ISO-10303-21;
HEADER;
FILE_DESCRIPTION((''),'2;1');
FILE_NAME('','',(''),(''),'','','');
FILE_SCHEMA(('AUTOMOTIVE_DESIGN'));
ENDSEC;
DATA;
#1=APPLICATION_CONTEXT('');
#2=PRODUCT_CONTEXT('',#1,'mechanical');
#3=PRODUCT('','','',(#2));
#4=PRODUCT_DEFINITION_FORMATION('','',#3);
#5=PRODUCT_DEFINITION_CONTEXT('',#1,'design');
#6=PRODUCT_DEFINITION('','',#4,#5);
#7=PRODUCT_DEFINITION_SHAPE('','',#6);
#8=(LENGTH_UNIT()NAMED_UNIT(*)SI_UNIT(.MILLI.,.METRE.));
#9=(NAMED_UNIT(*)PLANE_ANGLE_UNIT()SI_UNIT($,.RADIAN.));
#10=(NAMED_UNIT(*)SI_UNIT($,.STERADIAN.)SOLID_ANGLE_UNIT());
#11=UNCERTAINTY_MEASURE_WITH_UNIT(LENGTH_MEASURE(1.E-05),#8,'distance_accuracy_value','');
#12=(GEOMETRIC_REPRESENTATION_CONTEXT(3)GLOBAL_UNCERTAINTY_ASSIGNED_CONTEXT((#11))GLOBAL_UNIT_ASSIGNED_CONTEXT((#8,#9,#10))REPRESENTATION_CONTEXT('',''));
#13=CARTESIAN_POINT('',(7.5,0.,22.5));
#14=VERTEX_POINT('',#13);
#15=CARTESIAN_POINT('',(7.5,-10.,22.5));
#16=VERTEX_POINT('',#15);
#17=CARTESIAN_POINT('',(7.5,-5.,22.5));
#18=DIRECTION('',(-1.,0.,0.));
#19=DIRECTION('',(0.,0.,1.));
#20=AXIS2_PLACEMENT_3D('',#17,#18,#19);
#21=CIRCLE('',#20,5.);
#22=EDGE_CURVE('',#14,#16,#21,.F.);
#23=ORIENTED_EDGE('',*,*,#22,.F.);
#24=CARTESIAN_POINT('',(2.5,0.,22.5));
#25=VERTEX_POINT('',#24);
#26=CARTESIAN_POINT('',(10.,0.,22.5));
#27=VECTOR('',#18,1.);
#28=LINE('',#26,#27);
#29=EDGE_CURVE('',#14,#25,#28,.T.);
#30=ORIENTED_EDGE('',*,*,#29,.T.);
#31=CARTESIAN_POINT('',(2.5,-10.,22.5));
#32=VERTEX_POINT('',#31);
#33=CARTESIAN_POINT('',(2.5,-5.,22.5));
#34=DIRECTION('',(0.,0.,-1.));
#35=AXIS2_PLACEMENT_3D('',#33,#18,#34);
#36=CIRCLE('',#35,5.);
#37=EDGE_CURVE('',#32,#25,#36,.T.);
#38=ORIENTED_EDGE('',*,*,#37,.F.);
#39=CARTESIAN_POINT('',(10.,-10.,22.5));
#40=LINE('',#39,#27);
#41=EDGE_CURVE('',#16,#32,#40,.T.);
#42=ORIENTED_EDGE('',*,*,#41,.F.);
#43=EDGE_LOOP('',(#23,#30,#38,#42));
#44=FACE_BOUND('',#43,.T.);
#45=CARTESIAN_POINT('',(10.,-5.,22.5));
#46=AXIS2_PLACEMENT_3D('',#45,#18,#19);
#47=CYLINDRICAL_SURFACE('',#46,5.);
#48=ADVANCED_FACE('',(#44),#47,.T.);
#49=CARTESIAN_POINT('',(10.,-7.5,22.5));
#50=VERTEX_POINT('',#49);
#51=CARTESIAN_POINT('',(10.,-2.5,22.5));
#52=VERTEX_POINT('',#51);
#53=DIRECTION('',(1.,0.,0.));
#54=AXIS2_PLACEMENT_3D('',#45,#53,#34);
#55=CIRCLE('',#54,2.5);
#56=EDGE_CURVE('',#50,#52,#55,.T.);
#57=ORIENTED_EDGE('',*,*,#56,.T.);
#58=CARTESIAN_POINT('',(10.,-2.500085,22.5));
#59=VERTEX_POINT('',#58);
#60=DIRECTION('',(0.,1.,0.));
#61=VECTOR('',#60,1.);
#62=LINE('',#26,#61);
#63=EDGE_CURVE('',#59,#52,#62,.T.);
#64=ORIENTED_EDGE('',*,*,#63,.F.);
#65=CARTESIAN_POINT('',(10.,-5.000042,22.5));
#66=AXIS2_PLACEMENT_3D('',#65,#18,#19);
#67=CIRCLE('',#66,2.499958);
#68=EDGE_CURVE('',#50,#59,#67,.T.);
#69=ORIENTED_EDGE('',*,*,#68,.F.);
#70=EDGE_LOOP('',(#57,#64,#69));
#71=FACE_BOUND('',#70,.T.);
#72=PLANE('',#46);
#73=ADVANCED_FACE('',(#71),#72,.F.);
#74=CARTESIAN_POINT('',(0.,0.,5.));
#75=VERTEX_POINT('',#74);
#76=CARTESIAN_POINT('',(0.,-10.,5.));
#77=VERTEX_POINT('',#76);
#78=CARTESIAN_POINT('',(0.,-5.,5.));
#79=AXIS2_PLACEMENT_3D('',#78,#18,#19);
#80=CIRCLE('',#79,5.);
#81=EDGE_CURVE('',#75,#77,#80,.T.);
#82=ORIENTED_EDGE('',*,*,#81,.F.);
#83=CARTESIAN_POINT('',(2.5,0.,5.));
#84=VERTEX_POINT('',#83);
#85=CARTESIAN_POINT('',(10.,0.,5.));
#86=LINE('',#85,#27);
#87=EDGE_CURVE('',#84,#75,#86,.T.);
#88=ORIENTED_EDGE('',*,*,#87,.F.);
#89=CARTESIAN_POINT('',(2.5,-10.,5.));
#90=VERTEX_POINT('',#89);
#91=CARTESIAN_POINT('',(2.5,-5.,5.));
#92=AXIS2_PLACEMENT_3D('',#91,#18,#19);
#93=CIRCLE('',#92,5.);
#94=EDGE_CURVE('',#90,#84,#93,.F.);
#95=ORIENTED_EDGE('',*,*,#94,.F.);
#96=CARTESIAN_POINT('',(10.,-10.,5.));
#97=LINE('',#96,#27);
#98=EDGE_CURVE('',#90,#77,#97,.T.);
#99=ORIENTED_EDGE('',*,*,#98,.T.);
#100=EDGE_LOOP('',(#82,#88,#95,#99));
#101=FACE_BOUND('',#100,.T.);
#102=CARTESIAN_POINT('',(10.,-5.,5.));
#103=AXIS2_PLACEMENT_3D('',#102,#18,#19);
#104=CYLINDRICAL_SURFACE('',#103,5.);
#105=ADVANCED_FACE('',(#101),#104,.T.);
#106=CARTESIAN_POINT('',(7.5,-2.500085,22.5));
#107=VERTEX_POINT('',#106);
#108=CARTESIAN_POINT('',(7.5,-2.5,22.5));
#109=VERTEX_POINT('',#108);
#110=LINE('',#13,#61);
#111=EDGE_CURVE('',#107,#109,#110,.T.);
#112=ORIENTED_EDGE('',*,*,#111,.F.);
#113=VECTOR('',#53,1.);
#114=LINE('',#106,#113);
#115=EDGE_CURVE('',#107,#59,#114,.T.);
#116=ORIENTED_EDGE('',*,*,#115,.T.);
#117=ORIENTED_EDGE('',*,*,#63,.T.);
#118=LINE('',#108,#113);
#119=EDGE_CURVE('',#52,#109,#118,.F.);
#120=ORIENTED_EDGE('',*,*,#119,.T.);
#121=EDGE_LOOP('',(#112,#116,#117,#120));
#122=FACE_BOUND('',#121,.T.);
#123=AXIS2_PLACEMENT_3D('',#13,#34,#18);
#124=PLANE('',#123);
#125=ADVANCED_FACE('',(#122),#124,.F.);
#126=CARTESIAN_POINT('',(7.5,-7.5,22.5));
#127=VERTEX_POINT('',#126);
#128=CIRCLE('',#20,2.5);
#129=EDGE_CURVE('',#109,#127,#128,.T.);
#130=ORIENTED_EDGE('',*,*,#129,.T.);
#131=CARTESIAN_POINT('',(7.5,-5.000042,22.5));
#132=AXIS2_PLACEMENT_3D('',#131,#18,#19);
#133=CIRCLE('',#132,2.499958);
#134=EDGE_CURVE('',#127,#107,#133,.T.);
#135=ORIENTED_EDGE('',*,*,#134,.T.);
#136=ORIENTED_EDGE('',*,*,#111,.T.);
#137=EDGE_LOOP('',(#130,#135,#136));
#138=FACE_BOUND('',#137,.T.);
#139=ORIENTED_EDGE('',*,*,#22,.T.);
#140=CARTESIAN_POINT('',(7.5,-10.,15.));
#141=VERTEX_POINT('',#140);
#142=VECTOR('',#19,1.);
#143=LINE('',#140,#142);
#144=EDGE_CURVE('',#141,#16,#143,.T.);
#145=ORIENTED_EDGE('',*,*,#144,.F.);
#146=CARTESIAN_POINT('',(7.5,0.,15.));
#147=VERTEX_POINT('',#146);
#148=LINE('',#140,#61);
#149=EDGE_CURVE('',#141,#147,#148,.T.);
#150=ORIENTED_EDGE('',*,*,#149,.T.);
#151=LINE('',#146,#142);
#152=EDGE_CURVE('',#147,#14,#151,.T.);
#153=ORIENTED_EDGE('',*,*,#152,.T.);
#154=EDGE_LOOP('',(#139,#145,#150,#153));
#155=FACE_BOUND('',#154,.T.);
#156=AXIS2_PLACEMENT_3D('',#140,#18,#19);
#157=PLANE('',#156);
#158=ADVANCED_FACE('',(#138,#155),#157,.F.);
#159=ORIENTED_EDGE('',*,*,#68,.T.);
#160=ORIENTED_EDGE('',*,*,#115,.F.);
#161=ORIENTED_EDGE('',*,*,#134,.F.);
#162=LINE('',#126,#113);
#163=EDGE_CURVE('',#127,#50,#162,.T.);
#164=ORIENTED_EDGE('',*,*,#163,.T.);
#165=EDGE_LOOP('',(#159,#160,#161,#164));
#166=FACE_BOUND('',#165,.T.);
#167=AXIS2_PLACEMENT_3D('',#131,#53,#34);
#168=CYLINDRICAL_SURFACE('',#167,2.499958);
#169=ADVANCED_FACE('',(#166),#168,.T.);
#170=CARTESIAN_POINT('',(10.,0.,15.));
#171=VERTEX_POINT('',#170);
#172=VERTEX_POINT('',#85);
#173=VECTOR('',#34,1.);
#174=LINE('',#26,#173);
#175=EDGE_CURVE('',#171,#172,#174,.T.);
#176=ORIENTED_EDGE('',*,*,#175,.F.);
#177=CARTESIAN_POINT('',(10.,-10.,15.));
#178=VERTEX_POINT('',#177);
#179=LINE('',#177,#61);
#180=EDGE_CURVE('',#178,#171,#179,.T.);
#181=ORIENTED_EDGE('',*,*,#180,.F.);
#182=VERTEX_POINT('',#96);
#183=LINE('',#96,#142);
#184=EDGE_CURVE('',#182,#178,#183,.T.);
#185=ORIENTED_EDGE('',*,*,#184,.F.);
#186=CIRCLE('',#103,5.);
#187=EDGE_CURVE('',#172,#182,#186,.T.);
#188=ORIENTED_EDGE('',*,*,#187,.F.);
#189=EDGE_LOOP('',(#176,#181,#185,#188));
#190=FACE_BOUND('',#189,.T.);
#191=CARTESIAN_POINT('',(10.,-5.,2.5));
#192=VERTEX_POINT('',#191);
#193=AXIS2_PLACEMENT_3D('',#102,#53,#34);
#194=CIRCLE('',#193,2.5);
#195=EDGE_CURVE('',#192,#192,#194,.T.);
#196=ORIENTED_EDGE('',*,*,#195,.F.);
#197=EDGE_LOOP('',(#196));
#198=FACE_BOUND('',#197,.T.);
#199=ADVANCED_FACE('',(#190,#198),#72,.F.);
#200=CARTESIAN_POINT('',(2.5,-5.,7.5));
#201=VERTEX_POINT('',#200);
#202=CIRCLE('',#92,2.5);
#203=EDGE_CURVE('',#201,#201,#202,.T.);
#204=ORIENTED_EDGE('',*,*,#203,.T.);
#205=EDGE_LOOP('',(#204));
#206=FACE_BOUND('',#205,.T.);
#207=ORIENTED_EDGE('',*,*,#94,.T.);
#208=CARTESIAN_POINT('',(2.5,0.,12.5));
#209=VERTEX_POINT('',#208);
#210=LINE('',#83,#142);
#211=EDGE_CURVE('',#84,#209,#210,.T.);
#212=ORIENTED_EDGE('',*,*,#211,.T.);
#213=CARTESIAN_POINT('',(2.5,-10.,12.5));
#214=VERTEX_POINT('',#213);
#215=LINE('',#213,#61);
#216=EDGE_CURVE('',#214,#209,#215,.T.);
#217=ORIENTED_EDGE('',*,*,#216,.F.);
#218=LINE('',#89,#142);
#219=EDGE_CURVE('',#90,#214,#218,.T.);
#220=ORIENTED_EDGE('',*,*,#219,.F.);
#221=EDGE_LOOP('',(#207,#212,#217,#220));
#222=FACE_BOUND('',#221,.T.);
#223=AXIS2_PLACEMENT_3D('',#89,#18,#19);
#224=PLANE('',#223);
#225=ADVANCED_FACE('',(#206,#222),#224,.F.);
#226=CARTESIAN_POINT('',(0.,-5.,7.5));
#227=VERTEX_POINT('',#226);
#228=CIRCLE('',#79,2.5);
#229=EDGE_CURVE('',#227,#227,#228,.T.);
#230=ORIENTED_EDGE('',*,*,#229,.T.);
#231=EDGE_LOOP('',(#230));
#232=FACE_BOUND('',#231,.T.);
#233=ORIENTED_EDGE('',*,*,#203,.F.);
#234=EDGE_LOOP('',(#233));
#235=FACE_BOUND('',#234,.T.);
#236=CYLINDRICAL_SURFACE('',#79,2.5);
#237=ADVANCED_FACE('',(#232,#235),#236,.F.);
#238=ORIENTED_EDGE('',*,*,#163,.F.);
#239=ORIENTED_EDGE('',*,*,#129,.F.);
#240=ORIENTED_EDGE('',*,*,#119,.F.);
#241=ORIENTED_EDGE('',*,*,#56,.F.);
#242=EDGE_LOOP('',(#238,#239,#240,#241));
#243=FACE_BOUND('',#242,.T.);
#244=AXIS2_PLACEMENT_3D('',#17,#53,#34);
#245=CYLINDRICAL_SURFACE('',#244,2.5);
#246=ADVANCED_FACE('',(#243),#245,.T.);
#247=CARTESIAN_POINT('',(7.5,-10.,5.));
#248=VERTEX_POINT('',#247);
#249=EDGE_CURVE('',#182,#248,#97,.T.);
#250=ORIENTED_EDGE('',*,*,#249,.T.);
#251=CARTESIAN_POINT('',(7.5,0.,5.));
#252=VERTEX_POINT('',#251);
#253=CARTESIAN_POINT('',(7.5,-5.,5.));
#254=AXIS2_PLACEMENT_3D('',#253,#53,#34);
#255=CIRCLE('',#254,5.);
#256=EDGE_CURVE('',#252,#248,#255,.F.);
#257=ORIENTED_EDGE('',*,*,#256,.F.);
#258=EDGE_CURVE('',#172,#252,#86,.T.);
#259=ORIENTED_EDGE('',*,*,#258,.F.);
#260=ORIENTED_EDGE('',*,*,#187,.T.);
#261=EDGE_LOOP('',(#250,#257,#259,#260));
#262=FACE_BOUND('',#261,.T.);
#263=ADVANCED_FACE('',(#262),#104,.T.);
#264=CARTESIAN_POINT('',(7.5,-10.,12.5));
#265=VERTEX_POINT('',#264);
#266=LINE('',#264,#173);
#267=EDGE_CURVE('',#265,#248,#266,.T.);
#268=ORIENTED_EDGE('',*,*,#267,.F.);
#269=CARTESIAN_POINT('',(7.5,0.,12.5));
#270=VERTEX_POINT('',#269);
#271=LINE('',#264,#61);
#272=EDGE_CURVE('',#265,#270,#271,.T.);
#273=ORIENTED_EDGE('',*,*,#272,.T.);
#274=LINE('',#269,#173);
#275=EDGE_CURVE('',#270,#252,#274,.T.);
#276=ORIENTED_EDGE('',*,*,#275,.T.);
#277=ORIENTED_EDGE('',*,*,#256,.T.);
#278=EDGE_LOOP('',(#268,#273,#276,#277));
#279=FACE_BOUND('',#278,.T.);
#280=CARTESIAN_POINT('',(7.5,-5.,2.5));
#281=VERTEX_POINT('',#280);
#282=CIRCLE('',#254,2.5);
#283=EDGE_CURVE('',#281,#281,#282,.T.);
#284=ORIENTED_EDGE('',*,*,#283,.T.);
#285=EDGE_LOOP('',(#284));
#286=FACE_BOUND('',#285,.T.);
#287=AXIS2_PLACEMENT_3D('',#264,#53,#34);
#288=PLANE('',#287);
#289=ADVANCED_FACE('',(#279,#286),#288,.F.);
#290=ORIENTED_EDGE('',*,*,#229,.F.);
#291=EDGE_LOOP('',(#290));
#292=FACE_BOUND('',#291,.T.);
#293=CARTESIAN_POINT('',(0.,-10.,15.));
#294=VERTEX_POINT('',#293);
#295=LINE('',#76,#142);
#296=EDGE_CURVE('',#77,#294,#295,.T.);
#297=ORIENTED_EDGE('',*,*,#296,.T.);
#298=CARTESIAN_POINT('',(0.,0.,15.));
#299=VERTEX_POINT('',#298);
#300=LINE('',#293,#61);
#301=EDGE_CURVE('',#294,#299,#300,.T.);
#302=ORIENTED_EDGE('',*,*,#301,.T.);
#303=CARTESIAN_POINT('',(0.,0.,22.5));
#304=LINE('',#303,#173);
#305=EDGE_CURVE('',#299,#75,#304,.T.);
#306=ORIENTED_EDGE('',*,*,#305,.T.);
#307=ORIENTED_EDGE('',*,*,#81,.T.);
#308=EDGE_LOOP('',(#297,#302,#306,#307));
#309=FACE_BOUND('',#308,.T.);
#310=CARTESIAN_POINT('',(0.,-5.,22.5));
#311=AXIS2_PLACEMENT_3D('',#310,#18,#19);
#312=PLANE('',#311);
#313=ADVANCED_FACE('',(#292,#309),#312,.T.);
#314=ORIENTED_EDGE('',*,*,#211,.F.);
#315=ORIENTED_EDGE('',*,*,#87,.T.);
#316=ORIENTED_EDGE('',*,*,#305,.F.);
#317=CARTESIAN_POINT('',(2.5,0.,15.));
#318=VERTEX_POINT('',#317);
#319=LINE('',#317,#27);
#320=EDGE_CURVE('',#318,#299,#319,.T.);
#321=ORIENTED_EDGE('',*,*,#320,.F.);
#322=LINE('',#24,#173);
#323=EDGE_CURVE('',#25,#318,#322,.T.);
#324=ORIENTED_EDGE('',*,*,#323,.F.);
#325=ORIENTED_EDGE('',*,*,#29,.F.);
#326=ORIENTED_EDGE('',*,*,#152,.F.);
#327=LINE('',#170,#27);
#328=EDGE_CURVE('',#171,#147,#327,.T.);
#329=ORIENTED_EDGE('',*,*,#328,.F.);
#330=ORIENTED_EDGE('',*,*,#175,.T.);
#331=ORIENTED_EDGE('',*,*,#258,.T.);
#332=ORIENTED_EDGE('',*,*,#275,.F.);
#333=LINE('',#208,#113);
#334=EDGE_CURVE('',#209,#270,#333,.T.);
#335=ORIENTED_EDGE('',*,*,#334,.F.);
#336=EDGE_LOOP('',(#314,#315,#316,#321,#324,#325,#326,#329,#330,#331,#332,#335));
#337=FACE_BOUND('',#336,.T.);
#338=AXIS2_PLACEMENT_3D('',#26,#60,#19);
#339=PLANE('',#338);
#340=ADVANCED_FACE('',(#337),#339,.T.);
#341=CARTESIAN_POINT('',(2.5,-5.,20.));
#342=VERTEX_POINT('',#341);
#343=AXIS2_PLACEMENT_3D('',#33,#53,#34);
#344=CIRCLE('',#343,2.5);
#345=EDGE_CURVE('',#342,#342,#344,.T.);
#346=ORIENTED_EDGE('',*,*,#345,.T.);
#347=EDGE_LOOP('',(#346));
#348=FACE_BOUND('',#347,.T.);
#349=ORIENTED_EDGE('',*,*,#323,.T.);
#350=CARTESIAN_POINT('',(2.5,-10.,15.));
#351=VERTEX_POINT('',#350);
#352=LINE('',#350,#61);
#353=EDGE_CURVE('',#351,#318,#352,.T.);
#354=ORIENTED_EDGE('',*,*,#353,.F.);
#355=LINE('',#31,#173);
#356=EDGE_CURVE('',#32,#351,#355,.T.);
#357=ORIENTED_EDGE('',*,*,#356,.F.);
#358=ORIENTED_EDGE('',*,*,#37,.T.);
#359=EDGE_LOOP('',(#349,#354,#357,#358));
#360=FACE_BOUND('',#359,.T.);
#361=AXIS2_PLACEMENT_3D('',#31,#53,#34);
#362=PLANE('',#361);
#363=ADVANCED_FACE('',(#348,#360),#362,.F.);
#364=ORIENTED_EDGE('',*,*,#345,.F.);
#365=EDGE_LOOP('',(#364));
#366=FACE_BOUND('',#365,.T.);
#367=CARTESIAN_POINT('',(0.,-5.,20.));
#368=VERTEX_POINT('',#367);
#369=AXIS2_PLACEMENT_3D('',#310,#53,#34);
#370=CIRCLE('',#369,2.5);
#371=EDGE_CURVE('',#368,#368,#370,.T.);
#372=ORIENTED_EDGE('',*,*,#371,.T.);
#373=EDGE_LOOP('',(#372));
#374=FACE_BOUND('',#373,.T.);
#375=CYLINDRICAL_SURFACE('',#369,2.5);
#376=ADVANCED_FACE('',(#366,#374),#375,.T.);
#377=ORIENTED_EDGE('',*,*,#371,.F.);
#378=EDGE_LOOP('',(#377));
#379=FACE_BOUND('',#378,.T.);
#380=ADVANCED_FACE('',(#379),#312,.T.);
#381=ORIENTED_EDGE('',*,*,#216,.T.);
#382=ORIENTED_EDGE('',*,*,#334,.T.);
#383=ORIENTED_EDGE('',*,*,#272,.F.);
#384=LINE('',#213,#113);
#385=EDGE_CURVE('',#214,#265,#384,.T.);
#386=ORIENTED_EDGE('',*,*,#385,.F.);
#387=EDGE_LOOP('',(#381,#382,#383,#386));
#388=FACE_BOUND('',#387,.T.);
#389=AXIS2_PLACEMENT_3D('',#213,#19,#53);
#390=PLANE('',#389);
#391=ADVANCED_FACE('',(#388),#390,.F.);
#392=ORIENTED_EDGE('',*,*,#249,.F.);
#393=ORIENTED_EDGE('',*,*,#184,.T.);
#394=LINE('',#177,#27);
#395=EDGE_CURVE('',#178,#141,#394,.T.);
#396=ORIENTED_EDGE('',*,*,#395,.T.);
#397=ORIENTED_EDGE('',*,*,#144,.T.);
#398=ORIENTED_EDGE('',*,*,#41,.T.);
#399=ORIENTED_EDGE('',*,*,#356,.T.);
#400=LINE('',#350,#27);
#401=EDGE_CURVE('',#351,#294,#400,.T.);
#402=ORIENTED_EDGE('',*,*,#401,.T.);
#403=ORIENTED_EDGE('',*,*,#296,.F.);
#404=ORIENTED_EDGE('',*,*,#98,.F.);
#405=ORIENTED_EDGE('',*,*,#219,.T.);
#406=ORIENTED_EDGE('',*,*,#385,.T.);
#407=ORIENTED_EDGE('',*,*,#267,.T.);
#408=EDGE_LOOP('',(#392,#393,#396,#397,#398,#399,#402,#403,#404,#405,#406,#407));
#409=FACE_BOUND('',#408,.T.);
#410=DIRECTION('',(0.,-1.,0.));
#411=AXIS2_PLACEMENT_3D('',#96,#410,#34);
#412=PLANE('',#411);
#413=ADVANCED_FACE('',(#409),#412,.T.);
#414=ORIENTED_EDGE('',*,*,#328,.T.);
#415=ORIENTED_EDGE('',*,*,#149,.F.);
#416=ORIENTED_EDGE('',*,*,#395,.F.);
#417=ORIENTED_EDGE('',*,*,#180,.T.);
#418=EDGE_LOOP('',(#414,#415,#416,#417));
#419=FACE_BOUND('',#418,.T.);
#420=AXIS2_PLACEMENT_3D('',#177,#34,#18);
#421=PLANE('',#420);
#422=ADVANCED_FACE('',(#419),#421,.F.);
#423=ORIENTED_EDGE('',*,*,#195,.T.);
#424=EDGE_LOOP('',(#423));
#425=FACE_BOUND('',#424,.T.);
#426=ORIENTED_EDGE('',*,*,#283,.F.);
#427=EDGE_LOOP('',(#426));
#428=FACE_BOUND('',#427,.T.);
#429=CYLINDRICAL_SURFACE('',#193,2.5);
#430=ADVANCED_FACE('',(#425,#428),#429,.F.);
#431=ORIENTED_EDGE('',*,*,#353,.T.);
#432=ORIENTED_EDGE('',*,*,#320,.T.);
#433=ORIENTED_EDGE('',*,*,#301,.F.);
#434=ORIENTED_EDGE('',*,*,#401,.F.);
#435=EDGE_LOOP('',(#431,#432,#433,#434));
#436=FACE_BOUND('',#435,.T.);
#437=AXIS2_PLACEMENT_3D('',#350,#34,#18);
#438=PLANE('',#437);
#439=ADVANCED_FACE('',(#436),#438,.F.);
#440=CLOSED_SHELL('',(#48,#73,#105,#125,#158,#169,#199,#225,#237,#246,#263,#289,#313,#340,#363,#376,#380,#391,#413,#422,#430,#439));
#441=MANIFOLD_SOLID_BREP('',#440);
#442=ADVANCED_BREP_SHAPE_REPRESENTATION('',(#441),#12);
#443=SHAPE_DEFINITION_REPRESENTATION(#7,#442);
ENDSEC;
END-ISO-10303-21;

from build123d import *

# Parameters (mm, degrees)
BOSS_EXTRUDE1_DEPTH          = 10
SKETCH2_W                    = 2.5
SKETCH2_H                    = 7.5
CUT_EXTRUDE1_DEPTH           = 31.923292192
SKETCH3_W                    = 5
SKETCH3_H                    = 7.5
CUT_EXTRUDE2_DEPTH           = 31.923292192
SKETCH4_W                    = 2.5
SKETCH4_H                    = 7.5
CUT_EXTRUDE3_DEPTH           = 31.923292192
SKETCH5_W                    = 2.5
SKETCH5_H                    = 2.5
SKETCH6_W                    = 2.5
SKETCH6_H                    = 2.5
F_5_0_5_DIAMETER_HOLE1_D     = 5
F_5_0_5_DIAMETER_HOLE1_DEPTH = 2.5
F_5_0_5_DIAMETER_HOLE2_D     = 5
F_5_0_5_DIAMETER_HOLE2_DEPTH = 2.5
SKETCH11_W                   = 5
SKETCH11_H                   = 5.816268322
CUT_EXTRUDE4_DEPTH           = 10
CUT_EXTRUDE5_DEPTH           = 2.5
CUT_EXTRUDE6_DEPTH           = 2.5


with BuildPart() as part:
    # Sketch1 → Boss-Extrude1 (new body)
    with BuildSketch(Plane(origin=(0, 0, 0), x_dir=(0, -1, 0), z_dir=(-1, 0, 0))):
        with BuildLine():
            Line((0, 22.5), (0, 5))
            ThreePointArc((0, 5), (5, 0), (10, 5))
            Line((10, 5), (10, 22.5))
            ThreePointArc((10, 22.5), (5, 27.5), (0, 22.5))
        make_face()
    extrude(amount=-BOSS_EXTRUDE1_DEPTH)

    # Sketch2 → Cut-Extrude1 (cut, through all)
    with BuildSketch(Plane(origin=(0, 0, 0), x_dir=(-1, 0, 0), z_dir=(0, 1, 0))):
        with Locations((-1.25, 18.75)):
            Rectangle(SKETCH2_W, SKETCH2_H)
    extrude(amount=-CUT_EXTRUDE1_DEPTH, mode=Mode.SUBTRACT)

    # Sketch3 → Cut-Extrude2 (cut, through all)
    with BuildSketch(Plane(origin=(0, 0, 0), x_dir=(-1, 0, 0), z_dir=(0, 1, 0))):
        with Locations((-5, 8.75)):
            Rectangle(SKETCH3_W, SKETCH3_H)
    extrude(amount=-CUT_EXTRUDE2_DEPTH, mode=Mode.SUBTRACT)

    # Sketch4 → Cut-Extrude3 (cut, through all)
    with BuildSketch(Plane(origin=(0, 0, 0), x_dir=(-1, 0, 0), z_dir=(0, 1, 0))):
        with Locations((-8.75, 18.75)):
            Rectangle(SKETCH4_W, SKETCH4_H)
    extrude(amount=-CUT_EXTRUDE3_DEPTH, mode=Mode.SUBTRACT)

    # Sketch5 → Revolve1 (revolve)
    with BuildSketch(Plane.XY.offset(22.5)):
        with Locations((8.75, -3.75)):
            Rectangle(SKETCH5_W, SKETCH5_H)
    revolve(axis=Axis((7.5, -5, 22.5), (1, 0, 0)))

    # Sketch6 → Revolve2 (revolve)
    with BuildSketch(Plane.XY.offset(22.5)):
        with Locations((1.25, -3.75)):
            Rectangle(SKETCH6_W, SKETCH6_H)
    revolve(axis=Axis((0, -5, 22.5), (1, 0, 0)))

    # Ø5.0 (5) Diameter Hole1
    with Locations(Plane.ZY):
        with Locations((5, -5)):
            Hole(F_5_0_5_DIAMETER_HOLE1_D / 2, depth=F_5_0_5_DIAMETER_HOLE1_DEPTH)

    # Ø5.0 (5) Diameter Hole2
    with Locations(Plane(origin=(10, 0, 0), x_dir=(0, 0, -1), z_dir=(1, 0, 0))):
        with Locations((-5, -5)):
            Hole(F_5_0_5_DIAMETER_HOLE2_D / 2, depth=F_5_0_5_DIAMETER_HOLE2_DEPTH)

    # Sketch11 → Cut-Extrude4 (cut)
    with BuildSketch(Plane.XZ.offset(10)):
        with Locations((5, 2.091865839)):
            Rectangle(SKETCH11_W, SKETCH11_H)
    extrude(amount=-CUT_EXTRUDE4_DEPTH, mode=Mode.SUBTRACT)

    # Sketch12 → Cut-Extrude5 (cut)
    with BuildSketch(Plane(origin=(10, 0, 0), x_dir=(0, 0, -1), z_dir=(1, 0, 0))):
        with BuildLine():
            Line((-22.5, -7.5), (-22.5, -10.000084715))
            ThreePointArc((-22.5, -10.000084715), (-27.500042357, -5.000042357), (-22.5, 0))
            Line((-22.5, 0), (-22.5, -2.500084715))
            ThreePointArc((-22.5, -2.500084715), (-24.999957643, -5.000042357), (-22.5, -7.5))
        make_face()
    extrude(amount=-CUT_EXTRUDE5_DEPTH, mode=Mode.SUBTRACT)

    # Sketch13 → Cut-Extrude6 (cut)
    with BuildSketch(Plane.ZY):
        with BuildLine():
            Line((22.5, 0), (22.5, -2.5))
            ThreePointArc((22.5, -2.5), (25, -5), (22.5, -7.5))
            Line((22.5, -7.5), (22.5, -10))
            ThreePointArc((22.5, -10), (27.5, -5), (22.5, 0))
        make_face()
    extrude(amount=-CUT_EXTRUDE6_DEPTH, mode=Mode.SUBTRACT)


solid = part.part
